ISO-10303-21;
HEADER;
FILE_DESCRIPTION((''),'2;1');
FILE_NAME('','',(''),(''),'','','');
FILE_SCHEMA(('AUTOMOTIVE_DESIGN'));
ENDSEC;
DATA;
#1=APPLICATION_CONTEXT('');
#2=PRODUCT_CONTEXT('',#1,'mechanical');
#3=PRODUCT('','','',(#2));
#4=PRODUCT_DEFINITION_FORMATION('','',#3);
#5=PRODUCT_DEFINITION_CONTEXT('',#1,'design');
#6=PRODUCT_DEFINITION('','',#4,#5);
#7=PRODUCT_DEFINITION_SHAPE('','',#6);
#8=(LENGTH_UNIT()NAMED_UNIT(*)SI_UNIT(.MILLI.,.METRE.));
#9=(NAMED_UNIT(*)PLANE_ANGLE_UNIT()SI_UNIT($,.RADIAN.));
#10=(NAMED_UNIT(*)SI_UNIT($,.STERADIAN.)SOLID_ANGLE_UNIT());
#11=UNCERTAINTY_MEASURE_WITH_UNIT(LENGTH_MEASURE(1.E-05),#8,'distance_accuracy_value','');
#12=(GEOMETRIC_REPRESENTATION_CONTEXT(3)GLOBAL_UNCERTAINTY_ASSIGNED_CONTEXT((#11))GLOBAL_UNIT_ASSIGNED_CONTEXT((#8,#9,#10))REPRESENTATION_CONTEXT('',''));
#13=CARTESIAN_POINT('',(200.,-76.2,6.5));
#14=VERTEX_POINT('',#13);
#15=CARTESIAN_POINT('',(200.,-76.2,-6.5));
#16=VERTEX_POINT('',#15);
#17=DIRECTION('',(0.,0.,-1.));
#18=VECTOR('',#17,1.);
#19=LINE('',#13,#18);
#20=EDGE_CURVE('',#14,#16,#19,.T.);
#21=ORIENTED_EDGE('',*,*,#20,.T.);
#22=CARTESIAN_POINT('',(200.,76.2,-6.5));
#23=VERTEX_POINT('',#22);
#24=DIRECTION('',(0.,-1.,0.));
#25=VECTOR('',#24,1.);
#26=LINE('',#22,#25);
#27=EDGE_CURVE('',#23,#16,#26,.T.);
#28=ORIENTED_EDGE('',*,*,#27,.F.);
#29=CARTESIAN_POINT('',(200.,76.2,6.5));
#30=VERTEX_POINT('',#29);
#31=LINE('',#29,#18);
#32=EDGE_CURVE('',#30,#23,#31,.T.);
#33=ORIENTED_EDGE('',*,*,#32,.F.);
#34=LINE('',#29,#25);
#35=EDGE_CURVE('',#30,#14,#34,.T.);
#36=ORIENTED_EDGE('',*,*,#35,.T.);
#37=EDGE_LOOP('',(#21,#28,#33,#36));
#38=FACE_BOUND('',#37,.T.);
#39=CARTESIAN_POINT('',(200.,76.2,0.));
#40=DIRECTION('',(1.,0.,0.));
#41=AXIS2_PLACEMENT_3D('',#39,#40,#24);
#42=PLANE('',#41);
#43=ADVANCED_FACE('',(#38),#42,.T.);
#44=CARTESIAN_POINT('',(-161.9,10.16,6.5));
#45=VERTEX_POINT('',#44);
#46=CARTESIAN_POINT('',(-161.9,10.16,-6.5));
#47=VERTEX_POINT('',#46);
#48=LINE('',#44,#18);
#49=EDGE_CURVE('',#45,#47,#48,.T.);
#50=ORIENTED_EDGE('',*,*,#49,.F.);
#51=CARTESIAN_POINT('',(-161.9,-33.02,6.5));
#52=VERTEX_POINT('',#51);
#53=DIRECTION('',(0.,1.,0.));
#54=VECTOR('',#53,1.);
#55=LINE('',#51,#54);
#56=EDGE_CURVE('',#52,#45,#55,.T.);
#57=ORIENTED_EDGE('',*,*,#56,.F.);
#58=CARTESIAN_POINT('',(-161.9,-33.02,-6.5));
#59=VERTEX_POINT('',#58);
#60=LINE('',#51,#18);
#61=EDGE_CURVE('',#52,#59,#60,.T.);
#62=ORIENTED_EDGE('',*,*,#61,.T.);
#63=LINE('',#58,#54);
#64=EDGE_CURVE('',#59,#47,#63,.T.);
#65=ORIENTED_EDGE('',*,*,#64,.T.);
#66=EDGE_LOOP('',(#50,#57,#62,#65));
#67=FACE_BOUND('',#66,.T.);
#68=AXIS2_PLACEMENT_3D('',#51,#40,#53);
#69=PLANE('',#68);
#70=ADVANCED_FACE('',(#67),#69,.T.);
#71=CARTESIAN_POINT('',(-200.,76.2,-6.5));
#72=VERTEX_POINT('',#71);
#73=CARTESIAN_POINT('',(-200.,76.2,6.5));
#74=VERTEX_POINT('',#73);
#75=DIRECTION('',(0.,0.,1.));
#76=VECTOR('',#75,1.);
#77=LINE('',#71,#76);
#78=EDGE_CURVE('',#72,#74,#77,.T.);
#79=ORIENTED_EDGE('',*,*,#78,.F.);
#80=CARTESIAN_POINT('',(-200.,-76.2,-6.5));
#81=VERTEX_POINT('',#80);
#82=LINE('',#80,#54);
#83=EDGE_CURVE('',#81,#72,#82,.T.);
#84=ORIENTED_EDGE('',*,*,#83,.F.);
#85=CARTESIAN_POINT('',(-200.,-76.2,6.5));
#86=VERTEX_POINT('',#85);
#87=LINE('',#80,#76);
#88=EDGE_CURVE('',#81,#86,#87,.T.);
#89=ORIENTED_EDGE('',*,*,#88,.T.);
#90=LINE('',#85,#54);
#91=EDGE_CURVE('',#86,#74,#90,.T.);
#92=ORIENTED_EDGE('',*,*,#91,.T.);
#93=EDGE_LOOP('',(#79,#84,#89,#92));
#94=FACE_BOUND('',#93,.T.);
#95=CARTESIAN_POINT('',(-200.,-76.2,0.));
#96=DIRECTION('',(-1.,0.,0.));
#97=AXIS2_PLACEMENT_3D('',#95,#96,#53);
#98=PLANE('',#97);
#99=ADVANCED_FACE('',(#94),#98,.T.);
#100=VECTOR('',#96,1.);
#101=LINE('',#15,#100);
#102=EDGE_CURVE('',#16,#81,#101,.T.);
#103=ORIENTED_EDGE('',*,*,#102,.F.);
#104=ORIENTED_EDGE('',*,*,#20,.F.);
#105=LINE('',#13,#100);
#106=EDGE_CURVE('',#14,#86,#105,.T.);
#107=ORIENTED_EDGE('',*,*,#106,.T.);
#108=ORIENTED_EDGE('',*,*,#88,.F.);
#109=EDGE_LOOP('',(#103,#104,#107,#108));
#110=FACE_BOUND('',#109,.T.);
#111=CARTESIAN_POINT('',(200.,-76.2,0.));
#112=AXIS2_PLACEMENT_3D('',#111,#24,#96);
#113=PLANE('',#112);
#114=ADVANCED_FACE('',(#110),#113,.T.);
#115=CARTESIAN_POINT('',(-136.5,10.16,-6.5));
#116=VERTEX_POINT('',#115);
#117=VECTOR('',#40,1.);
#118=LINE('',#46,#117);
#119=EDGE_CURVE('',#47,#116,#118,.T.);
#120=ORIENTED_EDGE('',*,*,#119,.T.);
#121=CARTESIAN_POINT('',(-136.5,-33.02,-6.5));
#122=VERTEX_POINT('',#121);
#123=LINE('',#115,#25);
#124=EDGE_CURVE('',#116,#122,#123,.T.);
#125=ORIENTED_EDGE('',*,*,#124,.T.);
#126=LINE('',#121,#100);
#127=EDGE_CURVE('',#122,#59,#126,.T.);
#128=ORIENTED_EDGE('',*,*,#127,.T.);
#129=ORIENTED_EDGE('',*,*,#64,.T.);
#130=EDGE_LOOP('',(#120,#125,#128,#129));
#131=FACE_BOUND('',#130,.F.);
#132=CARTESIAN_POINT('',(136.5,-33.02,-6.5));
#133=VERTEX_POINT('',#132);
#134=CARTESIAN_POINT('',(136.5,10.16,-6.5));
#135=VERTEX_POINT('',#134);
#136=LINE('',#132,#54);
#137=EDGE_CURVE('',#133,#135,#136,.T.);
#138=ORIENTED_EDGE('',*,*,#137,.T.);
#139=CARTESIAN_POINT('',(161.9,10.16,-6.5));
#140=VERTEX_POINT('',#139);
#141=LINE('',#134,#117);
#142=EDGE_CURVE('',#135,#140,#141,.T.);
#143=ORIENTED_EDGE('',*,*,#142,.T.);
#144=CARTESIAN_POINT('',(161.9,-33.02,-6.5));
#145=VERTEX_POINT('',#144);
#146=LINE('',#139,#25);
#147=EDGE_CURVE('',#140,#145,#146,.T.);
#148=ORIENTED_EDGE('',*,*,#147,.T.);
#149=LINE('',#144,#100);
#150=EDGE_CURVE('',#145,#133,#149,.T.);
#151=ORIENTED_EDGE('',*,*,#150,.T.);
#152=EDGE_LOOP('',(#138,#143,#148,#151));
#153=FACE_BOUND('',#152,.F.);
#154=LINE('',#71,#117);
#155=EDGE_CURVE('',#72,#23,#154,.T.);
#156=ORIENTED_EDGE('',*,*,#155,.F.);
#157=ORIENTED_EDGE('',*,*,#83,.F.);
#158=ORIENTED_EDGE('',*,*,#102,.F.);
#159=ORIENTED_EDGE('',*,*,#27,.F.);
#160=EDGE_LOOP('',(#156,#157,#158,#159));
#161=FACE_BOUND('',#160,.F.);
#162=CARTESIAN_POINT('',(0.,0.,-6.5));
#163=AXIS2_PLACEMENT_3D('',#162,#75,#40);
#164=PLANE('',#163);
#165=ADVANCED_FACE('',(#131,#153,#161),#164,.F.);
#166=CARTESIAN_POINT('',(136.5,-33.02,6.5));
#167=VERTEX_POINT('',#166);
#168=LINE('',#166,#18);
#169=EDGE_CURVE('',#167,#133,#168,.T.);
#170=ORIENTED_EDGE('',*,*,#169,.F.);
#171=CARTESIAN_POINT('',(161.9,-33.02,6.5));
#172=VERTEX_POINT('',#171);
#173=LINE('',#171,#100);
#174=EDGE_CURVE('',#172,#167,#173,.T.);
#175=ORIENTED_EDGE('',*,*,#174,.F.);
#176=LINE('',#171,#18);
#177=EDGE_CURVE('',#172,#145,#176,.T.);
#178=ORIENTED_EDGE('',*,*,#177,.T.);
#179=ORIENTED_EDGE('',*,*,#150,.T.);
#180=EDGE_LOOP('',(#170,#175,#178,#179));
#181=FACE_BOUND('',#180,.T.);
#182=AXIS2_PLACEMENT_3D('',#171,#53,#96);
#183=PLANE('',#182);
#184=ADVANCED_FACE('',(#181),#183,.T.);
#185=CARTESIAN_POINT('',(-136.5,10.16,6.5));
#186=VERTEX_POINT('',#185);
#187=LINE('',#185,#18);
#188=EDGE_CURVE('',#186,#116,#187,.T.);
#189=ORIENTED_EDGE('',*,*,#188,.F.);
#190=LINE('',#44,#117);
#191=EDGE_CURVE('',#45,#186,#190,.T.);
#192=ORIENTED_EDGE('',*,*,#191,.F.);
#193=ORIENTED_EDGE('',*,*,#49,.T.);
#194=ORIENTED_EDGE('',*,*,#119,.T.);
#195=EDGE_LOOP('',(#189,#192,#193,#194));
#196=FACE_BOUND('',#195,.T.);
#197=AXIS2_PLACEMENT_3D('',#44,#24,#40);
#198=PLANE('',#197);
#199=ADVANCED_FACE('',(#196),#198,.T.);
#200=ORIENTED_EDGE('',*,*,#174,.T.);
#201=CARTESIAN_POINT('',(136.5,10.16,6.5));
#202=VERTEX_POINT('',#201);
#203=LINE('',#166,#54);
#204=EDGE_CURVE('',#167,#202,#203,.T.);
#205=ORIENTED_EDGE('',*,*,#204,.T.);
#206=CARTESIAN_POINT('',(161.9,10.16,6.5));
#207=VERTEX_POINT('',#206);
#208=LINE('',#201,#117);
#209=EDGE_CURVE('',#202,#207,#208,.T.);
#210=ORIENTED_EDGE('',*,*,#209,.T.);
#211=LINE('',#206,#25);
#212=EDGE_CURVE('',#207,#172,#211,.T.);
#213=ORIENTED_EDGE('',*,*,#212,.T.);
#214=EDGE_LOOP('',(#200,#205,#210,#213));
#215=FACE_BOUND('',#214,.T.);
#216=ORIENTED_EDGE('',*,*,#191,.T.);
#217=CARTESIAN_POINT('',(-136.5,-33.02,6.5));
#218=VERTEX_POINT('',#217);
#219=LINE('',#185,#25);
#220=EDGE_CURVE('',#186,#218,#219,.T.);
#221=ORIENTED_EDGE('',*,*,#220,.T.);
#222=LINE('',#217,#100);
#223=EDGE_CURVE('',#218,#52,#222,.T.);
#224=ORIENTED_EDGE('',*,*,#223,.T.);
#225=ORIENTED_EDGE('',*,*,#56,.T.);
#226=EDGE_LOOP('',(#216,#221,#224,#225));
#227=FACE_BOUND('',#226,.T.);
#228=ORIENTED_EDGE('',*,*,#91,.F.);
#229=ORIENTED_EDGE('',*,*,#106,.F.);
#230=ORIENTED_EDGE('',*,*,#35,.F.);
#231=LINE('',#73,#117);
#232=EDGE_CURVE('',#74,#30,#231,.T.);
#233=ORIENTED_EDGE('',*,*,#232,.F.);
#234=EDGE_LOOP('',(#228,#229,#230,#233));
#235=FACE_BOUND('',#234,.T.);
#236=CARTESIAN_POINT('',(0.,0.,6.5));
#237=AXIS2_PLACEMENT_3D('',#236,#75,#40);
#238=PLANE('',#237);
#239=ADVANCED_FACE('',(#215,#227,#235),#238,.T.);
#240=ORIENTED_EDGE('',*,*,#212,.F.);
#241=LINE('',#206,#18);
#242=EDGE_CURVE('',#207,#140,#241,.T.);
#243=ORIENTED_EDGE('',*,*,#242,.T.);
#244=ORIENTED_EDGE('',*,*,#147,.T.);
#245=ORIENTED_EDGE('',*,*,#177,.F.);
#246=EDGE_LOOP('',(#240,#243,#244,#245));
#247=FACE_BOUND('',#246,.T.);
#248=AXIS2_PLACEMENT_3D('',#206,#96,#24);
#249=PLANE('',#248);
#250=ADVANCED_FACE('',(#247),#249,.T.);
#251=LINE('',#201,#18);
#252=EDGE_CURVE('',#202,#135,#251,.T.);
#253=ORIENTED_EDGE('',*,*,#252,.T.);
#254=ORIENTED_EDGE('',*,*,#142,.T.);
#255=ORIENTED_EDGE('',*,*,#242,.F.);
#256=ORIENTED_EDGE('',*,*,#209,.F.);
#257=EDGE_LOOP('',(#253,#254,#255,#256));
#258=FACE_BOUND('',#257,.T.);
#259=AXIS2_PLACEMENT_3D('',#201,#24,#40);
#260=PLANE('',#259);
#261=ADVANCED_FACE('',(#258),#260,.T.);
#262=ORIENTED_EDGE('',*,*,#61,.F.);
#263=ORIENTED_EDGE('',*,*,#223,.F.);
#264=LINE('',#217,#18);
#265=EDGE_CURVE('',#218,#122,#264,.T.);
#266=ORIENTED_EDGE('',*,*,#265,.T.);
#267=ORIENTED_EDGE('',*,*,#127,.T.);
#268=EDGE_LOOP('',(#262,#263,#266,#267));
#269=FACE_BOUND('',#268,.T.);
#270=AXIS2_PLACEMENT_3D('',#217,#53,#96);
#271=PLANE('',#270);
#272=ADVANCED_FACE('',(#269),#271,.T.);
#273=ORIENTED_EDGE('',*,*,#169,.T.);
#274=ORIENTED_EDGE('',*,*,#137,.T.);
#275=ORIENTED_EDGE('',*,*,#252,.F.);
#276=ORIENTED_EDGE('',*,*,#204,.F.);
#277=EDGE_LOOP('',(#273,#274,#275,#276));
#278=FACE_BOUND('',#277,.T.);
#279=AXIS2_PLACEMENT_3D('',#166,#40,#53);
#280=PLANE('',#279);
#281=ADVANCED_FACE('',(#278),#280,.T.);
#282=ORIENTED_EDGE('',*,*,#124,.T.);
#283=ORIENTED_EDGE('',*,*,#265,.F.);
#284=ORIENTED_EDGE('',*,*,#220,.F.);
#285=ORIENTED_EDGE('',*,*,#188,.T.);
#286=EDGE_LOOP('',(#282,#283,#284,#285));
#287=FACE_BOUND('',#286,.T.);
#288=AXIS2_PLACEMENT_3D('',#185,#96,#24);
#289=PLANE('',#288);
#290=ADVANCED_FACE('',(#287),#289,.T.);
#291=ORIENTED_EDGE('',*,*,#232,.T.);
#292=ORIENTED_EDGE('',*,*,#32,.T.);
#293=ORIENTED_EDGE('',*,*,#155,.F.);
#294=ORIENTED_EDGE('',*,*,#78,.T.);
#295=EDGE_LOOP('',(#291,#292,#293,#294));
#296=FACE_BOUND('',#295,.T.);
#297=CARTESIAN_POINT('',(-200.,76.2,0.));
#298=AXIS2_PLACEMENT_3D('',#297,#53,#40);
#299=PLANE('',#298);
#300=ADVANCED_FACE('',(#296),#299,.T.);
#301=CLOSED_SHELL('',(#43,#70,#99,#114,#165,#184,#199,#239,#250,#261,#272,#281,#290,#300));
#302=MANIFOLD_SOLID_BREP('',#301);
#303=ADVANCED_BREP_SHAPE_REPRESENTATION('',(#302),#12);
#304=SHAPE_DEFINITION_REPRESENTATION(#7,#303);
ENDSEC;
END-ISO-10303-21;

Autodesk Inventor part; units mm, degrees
ref_plane "YZ Plane" through (0, 0, 0) normal (1, 0, 0) x (0, 1, 0)
ref_plane "XZ Plane" through (0, 0, 0) normal (0, 1, 0) x (-1, 0, 0)
ref_plane "XY Plane" through (0, 0, 0) normal (0, 0, 1) x (1, 0, 0)
sketch "Sketch1" plane through (0, 0, 0) normal (0, 0, 1) x (1, 0, 0)
  line L0 (-200, 76.2) -> (200, 76.2)
  line L1 (200, 76.2) -> (200, -76.2)
  line L2 (200, -76.2) -> (-200, -76.2)
  line L3 (-200, -76.2) -> (-200, 76.2)
  line L4 (-200, 76.2) -> (200, -76.2) construction
  line L5 (200, 76.2) -> (-200, -76.2) construction
  point P0 (0, 0)
  dimension "d0" = 400
  dimension "d1" = 152.4
extrude "Extrusion1" add sketch "Sketch1" along normal mid plane 13
sketch "Sketch2" plane through (0, 0, 6.5) normal (0, 0, 1) x (1, 0, 0)
  line L0 (-161.9, 10.16) -> (-136.5, 10.16)
  line L1 (-136.5, 10.16) -> (-136.5, -33.02)
  line L2 (-136.5, -33.02) -> (-161.9, -33.02)
  line L3 (-161.9, -33.02) -> (-161.9, 10.16)
  line L4 (-200, -76.2) -> (200, -76.2) projected
  line L5 (161.9, -33.02) -> (136.5, -33.02)
  line L6 (136.5, -33.02) -> (136.5, 10.16)
  line L7 (136.5, 10.16) -> (161.9, 10.16)
  line L8 (161.9, 10.16) -> (161.9, -33.02)
  point P0 (0, 0)
extrude "Extrusion2" cut sketch "Sketch2" against normal blind 13
properties part number "CNC-X-axis- front plate drawer exits"
